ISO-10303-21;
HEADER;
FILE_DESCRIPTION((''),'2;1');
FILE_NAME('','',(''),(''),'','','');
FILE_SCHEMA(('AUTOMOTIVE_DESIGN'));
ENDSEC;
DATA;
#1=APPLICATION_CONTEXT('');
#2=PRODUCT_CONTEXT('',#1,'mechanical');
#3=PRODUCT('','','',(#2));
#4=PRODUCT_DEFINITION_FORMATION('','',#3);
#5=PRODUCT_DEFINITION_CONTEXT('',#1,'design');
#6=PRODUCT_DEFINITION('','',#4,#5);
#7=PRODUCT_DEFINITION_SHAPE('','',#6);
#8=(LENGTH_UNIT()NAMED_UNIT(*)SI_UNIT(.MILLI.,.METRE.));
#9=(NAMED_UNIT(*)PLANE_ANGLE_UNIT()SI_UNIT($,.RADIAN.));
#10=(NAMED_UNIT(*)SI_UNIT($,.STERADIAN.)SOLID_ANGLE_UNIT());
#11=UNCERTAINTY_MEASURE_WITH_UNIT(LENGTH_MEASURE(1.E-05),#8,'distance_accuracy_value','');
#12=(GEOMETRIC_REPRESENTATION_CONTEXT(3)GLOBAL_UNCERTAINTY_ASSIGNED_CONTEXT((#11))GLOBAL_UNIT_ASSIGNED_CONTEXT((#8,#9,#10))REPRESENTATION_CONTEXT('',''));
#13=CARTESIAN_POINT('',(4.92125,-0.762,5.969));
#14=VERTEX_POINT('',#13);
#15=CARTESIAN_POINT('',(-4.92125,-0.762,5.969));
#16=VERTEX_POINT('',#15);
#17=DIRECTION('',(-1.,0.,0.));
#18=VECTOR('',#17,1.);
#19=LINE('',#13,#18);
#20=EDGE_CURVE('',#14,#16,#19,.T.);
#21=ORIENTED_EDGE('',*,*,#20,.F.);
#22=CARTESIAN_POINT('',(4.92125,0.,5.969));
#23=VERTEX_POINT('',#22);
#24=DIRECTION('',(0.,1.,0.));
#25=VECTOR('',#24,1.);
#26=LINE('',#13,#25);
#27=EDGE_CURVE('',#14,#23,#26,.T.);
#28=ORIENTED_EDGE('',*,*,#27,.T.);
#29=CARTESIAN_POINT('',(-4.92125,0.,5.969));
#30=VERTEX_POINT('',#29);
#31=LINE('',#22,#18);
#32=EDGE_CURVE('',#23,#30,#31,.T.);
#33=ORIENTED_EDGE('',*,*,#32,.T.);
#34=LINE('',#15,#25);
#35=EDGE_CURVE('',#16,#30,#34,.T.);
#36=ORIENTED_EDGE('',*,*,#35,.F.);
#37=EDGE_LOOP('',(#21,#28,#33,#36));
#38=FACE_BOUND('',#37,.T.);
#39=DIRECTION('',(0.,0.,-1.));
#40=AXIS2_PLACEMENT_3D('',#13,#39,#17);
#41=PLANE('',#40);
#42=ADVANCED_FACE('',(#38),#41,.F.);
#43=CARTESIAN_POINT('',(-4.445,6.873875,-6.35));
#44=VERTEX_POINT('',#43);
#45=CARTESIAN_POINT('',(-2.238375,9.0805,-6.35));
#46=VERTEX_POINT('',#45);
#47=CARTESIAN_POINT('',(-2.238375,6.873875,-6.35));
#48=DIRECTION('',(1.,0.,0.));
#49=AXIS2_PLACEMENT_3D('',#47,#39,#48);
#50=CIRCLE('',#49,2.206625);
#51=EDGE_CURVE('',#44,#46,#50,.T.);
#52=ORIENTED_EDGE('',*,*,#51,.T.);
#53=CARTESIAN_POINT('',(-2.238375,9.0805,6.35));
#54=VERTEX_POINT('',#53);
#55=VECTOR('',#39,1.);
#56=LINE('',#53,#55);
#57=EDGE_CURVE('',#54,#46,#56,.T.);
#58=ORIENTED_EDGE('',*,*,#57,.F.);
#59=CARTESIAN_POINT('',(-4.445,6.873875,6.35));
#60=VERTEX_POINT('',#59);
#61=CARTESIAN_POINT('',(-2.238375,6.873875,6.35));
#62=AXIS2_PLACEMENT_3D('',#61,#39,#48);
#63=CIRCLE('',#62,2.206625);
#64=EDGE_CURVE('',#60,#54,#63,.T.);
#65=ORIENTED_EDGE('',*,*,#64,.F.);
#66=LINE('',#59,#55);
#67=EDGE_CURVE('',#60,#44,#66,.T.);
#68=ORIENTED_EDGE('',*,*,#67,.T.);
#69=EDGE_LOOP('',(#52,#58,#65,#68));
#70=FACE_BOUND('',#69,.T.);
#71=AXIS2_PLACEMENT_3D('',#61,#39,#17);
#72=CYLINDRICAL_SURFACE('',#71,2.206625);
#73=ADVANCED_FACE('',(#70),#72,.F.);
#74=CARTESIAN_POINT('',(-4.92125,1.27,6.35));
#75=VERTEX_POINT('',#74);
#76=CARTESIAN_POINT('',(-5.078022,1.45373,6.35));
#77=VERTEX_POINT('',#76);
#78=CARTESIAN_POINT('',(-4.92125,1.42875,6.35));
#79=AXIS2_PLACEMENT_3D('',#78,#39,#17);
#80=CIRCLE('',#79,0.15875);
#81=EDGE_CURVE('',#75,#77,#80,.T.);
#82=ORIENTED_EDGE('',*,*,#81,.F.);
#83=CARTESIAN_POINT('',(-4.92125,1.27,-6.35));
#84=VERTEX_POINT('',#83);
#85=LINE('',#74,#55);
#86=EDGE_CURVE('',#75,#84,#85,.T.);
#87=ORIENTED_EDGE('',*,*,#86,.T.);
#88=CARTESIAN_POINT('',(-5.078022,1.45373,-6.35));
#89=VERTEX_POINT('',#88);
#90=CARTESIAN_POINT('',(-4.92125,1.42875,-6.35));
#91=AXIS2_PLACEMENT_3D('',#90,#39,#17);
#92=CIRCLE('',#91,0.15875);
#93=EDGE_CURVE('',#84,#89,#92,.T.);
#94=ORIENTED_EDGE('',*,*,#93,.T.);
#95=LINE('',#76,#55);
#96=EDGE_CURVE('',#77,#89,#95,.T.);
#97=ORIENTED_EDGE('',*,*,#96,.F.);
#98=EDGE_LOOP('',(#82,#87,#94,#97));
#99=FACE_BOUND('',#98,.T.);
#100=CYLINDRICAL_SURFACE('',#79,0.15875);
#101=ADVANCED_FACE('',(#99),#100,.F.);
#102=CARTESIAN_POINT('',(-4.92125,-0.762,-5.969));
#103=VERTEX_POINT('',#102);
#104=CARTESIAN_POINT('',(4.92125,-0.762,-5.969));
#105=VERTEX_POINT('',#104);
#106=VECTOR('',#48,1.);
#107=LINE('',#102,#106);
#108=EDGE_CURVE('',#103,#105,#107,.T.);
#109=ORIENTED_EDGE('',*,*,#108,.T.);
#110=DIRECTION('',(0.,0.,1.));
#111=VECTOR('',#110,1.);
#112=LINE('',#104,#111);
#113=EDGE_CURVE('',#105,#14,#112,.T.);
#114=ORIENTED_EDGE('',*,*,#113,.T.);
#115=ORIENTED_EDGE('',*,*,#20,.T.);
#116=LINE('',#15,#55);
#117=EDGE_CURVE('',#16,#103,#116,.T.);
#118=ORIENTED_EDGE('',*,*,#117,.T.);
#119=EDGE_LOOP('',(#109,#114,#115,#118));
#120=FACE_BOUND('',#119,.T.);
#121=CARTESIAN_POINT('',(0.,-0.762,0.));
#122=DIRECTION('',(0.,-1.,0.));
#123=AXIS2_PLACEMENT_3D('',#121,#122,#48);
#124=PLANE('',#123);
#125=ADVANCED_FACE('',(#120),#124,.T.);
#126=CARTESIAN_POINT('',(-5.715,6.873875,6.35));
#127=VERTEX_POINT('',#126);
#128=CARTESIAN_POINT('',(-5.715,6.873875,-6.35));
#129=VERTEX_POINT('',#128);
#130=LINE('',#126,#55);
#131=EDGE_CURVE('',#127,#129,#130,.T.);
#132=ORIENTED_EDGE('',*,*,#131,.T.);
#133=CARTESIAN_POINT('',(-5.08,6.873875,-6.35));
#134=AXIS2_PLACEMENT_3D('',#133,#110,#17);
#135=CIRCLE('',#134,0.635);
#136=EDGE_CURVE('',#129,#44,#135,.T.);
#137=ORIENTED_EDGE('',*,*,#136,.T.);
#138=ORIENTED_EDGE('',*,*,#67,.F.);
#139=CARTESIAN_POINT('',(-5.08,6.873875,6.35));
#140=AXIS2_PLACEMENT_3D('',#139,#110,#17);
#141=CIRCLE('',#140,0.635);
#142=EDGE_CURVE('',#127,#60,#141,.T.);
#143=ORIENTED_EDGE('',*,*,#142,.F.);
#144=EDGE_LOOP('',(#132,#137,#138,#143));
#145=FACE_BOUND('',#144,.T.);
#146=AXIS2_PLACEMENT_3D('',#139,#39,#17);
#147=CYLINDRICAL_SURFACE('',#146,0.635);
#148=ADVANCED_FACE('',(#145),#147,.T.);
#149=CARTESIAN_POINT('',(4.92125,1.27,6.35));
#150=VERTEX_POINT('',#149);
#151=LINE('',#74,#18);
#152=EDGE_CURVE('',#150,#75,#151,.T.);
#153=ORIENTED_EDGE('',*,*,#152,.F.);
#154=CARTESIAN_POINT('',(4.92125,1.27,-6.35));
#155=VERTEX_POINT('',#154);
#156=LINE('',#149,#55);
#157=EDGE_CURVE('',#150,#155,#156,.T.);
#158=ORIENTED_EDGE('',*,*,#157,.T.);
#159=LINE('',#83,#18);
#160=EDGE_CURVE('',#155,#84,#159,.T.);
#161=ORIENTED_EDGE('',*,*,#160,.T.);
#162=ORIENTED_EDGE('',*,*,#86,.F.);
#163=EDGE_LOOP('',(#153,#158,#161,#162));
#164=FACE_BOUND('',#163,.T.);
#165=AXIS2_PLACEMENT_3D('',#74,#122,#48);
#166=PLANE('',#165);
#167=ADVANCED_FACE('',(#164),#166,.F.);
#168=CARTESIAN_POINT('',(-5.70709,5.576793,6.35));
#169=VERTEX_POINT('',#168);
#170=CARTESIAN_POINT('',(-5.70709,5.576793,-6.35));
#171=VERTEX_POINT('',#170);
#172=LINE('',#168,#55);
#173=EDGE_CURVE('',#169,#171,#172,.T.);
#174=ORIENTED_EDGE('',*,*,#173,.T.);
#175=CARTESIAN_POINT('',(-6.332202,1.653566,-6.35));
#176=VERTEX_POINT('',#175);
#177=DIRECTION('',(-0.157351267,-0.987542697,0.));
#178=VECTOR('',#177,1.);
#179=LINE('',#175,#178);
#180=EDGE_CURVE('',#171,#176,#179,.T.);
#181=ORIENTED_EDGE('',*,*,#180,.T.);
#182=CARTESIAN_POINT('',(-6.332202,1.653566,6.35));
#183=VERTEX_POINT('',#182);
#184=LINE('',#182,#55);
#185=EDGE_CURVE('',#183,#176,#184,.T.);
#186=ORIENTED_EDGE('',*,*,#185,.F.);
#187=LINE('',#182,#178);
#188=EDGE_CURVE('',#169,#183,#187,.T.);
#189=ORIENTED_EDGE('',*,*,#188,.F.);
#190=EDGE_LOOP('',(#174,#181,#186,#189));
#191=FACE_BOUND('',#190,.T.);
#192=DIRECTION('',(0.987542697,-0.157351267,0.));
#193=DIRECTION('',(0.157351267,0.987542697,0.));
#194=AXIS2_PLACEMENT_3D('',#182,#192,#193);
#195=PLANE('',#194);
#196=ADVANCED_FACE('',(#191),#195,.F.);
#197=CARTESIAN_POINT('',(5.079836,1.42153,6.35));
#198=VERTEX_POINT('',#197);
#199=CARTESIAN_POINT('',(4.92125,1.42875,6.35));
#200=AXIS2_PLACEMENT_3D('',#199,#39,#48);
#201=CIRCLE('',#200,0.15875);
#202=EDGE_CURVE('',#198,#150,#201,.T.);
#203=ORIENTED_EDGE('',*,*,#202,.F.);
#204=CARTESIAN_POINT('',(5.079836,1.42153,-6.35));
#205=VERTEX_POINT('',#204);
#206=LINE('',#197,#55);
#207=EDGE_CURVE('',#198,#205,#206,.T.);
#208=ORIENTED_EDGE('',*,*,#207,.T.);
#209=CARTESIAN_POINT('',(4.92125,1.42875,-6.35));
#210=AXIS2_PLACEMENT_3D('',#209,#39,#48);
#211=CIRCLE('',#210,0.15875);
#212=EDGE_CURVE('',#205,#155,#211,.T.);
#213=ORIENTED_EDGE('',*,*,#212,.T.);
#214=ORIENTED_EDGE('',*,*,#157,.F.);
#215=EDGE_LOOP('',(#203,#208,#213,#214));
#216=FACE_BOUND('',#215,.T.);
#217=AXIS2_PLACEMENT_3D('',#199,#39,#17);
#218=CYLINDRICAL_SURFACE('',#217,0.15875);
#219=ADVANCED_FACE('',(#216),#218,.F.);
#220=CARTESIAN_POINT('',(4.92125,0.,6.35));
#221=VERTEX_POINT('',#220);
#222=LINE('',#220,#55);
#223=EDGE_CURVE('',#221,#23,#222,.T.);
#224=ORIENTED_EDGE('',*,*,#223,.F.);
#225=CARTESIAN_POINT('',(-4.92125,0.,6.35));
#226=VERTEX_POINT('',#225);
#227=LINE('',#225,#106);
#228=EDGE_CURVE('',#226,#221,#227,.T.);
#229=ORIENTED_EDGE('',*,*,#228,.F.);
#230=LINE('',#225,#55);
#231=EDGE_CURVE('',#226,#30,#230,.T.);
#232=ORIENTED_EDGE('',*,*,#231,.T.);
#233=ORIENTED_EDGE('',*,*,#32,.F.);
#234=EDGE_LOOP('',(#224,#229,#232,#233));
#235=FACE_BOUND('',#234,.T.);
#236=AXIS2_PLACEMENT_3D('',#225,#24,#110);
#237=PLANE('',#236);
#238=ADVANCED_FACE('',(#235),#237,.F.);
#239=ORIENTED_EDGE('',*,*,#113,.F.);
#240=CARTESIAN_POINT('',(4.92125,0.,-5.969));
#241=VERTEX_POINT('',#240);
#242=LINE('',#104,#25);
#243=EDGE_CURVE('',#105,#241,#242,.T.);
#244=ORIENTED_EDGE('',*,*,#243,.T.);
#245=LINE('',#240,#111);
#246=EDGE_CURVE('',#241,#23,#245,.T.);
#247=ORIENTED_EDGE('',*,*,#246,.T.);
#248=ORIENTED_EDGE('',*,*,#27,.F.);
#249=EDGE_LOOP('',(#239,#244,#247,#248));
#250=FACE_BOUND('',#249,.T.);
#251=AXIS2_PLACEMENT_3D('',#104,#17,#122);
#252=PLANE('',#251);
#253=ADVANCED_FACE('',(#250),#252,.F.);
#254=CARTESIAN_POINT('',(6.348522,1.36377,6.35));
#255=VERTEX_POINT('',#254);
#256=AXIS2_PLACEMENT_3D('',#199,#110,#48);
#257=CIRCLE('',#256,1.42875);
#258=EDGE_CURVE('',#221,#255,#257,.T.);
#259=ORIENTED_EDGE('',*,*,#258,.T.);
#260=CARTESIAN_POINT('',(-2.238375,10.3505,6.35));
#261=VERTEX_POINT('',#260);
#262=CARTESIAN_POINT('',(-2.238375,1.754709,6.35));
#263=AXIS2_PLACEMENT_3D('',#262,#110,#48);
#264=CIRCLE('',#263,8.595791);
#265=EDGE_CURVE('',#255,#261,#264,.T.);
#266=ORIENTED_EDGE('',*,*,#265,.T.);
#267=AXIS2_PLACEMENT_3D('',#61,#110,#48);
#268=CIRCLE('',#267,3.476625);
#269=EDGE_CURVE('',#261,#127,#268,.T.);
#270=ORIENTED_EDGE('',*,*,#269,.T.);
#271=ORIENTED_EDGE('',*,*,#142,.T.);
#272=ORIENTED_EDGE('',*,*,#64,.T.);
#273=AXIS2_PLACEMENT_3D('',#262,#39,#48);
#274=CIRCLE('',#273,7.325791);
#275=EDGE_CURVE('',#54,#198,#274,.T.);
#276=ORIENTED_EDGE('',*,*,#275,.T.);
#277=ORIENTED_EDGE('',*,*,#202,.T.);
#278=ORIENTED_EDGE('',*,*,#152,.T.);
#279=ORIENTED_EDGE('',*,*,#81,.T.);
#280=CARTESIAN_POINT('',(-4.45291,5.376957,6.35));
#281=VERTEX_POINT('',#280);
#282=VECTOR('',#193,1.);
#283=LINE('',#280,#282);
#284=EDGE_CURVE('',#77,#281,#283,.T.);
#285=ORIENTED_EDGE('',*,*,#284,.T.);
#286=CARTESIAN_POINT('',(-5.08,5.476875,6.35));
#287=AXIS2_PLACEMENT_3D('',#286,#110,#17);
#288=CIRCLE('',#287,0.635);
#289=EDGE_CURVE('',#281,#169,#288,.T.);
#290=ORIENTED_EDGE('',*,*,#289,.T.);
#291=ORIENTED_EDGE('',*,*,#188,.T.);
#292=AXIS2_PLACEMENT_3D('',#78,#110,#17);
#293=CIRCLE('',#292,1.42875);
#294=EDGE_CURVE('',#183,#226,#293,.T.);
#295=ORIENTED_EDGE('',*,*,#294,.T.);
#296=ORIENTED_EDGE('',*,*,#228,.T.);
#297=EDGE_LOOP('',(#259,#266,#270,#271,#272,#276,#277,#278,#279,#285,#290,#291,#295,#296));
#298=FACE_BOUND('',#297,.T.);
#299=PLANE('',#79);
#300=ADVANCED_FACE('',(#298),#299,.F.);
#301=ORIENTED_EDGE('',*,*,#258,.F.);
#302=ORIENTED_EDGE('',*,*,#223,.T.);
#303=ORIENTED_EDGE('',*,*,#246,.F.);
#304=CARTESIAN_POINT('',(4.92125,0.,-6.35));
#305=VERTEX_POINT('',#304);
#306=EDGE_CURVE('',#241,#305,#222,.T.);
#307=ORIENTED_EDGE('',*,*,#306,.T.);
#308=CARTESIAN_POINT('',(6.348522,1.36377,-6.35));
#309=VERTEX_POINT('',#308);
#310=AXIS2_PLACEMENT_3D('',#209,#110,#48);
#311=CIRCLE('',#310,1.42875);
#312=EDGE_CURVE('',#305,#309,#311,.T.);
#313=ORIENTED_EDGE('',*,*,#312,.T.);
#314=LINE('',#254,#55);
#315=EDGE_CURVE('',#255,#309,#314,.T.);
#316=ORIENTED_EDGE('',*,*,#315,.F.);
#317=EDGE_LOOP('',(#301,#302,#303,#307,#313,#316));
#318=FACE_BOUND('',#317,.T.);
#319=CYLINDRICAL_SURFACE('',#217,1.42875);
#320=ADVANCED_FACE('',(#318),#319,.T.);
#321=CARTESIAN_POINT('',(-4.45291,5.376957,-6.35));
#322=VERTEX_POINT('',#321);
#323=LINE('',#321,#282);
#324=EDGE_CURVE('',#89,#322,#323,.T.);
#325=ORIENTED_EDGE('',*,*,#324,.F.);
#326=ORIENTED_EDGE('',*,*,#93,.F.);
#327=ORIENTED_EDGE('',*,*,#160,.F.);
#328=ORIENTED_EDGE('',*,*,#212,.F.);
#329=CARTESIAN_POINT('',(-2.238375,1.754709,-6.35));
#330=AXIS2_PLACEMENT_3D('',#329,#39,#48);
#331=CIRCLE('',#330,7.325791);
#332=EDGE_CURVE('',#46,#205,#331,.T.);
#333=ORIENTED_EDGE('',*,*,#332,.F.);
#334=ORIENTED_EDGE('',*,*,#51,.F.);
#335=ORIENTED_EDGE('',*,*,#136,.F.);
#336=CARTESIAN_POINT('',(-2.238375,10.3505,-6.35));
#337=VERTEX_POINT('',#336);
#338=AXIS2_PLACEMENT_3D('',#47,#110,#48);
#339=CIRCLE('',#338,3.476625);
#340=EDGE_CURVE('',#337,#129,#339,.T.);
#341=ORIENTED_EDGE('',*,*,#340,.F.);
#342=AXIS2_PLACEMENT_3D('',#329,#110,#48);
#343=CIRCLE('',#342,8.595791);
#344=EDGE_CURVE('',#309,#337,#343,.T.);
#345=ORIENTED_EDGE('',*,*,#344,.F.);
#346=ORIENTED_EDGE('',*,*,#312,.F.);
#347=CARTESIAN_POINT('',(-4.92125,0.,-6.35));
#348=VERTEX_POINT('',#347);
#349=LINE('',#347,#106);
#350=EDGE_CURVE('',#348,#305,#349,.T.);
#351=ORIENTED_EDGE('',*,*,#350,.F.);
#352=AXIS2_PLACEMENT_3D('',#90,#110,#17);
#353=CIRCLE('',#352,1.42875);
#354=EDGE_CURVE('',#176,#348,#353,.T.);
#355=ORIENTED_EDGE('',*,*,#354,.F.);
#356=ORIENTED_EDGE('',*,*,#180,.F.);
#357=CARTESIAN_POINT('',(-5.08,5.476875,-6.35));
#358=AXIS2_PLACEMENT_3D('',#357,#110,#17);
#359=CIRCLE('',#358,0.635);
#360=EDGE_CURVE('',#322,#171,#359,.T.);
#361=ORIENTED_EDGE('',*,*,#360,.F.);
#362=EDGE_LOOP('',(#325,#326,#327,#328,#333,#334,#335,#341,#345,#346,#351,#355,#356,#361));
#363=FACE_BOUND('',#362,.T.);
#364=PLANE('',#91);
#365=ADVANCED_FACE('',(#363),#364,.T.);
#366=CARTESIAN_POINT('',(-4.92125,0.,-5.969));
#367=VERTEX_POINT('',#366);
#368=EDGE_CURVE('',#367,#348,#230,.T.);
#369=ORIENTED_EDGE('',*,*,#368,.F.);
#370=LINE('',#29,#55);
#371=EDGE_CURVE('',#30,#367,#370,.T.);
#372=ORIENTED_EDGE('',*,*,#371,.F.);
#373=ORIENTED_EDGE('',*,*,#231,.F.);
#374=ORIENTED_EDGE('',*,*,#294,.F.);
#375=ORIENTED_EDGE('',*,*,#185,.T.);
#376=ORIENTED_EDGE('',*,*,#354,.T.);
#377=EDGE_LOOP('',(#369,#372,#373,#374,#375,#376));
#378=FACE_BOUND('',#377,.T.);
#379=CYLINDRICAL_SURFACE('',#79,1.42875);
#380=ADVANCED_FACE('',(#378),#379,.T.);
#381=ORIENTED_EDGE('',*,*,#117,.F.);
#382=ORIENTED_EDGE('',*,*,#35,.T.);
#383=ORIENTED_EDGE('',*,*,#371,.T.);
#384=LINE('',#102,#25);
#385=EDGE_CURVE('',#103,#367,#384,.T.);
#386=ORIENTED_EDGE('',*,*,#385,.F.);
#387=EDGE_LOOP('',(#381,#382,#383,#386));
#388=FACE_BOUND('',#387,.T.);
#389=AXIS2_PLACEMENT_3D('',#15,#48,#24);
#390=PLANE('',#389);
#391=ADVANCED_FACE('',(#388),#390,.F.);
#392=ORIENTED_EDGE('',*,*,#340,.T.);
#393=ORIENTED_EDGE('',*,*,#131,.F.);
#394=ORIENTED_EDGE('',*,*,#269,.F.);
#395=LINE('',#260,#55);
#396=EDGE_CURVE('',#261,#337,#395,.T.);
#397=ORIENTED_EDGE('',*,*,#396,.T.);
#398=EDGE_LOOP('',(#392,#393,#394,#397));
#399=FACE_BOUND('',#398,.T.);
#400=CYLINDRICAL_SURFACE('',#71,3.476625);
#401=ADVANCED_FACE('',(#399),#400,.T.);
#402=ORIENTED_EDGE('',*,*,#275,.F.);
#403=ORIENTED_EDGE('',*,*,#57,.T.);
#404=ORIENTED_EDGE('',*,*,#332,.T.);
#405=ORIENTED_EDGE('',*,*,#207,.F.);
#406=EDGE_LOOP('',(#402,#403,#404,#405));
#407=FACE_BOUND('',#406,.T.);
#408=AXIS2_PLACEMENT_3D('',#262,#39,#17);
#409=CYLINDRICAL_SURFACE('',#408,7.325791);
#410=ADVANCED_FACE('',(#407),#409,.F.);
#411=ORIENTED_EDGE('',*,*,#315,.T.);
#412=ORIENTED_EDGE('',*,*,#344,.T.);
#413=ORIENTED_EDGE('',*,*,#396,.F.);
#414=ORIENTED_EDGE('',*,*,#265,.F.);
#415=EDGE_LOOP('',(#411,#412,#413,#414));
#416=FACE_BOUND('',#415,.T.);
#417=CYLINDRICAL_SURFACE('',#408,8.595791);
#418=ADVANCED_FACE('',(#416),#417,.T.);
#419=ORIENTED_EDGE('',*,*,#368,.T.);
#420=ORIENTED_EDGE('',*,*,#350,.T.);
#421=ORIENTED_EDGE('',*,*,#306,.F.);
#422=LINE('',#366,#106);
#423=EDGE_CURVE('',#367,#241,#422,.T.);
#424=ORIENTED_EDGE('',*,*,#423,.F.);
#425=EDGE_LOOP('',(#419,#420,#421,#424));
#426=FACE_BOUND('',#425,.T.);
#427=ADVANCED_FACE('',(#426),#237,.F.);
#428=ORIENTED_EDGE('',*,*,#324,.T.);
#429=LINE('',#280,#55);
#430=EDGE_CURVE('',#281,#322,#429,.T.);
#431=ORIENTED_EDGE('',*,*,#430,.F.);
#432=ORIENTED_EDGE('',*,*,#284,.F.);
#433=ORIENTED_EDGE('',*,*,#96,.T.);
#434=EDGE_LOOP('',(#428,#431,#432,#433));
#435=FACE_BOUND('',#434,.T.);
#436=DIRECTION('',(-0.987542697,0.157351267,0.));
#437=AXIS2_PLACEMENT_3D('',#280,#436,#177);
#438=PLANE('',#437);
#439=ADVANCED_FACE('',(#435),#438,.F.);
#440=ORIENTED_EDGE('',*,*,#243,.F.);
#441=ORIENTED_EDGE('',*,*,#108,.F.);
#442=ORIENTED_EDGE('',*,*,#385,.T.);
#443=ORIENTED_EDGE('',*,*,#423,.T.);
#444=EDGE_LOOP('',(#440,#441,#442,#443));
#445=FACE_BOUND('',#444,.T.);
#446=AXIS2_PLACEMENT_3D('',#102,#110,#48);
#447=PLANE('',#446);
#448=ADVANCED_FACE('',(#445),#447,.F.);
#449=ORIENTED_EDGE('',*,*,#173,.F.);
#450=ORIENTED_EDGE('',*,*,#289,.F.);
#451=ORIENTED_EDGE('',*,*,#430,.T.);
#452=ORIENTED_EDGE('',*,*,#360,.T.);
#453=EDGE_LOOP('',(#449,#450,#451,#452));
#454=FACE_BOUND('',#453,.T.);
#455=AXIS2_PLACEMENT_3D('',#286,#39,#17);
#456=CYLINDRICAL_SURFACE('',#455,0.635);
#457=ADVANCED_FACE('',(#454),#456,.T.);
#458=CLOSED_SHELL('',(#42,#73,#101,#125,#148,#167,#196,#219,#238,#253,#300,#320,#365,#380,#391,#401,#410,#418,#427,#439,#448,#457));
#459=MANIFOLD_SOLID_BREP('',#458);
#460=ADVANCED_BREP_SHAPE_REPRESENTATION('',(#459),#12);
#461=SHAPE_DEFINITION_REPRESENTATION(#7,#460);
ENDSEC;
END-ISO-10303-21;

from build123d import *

# Parameters (mm, degrees)
BOSS_EXTRUDE3_DEPTH      = 6.35
BOSS_EXTRUDE3_DEPTH_BACK = 6.35
SKETCH6_W                = 9.8425
SKETCH6_H                = 11.938
BOSS_EXTRUDE4_DEPTH      = 0.762


with BuildPart() as part:
    # Sketch5 → Boss-Extrude3 (new body, two sides)
    with BuildSketch(Plane.XY) as boss_extrude3_sk:
        with BuildLine():
            Line((-4.92125, 0), (4.92125, 0))
            ThreePointArc((4.92125, 0), (5.908287619, 0.395752758), (6.348521584, 1.363770094))
            ThreePointArc((6.348521584, 1.363770094), (3.976448154, 7.693025011), (-2.238375, 10.3505))
            ThreePointArc((-2.238375, 10.3505), (-4.696720113, 9.332220113), (-5.715, 6.873875))
            ThreePointArc((-5.715, 6.873875), (-5.08, 6.238875), (-4.445, 6.873875))
            ThreePointArc((-4.445, 6.873875), (-3.798694501, 8.434194501), (-2.238375, 9.0805))
            ThreePointArc((-2.238375, 9.0805), (3.058228384, 6.815658238), (5.079835732, 1.42153001))
            ThreePointArc((5.079835732, 1.42153001), (5.030920847, 1.313972529), (4.92125, 1.27))
            Line((4.92125, 1.27), (-4.92125, 1.27))
            ThreePointArc((-4.92125, 1.27), (-5.042012288, 1.325706163), (-5.078022403, 1.453729514))
            Line((-5.078022403, 1.453729514), (-4.452910387, 5.376956946))
            ThreePointArc((-4.452910387, 5.376956946), (-4.980081946, 6.103964613), (-5.707089613, 5.576793054))
            Line((-5.707089613, 5.576793054), (-6.332201629, 1.653565622))
            ThreePointArc((-6.332201629, 1.653565622), (-6.00811059, 0.501355466), (-4.92125, 0))
        make_face()
    extrude(amount=BOSS_EXTRUDE3_DEPTH)
    extrude(boss_extrude3_sk.sketch, amount=-BOSS_EXTRUDE3_DEPTH_BACK)

    # Sketch6 → Boss-Extrude4 (add)
    with BuildSketch(Plane.XZ):
        Rectangle(SKETCH6_W, SKETCH6_H)
    extrude(amount=BOSS_EXTRUDE4_DEPTH)


solid = part.part
